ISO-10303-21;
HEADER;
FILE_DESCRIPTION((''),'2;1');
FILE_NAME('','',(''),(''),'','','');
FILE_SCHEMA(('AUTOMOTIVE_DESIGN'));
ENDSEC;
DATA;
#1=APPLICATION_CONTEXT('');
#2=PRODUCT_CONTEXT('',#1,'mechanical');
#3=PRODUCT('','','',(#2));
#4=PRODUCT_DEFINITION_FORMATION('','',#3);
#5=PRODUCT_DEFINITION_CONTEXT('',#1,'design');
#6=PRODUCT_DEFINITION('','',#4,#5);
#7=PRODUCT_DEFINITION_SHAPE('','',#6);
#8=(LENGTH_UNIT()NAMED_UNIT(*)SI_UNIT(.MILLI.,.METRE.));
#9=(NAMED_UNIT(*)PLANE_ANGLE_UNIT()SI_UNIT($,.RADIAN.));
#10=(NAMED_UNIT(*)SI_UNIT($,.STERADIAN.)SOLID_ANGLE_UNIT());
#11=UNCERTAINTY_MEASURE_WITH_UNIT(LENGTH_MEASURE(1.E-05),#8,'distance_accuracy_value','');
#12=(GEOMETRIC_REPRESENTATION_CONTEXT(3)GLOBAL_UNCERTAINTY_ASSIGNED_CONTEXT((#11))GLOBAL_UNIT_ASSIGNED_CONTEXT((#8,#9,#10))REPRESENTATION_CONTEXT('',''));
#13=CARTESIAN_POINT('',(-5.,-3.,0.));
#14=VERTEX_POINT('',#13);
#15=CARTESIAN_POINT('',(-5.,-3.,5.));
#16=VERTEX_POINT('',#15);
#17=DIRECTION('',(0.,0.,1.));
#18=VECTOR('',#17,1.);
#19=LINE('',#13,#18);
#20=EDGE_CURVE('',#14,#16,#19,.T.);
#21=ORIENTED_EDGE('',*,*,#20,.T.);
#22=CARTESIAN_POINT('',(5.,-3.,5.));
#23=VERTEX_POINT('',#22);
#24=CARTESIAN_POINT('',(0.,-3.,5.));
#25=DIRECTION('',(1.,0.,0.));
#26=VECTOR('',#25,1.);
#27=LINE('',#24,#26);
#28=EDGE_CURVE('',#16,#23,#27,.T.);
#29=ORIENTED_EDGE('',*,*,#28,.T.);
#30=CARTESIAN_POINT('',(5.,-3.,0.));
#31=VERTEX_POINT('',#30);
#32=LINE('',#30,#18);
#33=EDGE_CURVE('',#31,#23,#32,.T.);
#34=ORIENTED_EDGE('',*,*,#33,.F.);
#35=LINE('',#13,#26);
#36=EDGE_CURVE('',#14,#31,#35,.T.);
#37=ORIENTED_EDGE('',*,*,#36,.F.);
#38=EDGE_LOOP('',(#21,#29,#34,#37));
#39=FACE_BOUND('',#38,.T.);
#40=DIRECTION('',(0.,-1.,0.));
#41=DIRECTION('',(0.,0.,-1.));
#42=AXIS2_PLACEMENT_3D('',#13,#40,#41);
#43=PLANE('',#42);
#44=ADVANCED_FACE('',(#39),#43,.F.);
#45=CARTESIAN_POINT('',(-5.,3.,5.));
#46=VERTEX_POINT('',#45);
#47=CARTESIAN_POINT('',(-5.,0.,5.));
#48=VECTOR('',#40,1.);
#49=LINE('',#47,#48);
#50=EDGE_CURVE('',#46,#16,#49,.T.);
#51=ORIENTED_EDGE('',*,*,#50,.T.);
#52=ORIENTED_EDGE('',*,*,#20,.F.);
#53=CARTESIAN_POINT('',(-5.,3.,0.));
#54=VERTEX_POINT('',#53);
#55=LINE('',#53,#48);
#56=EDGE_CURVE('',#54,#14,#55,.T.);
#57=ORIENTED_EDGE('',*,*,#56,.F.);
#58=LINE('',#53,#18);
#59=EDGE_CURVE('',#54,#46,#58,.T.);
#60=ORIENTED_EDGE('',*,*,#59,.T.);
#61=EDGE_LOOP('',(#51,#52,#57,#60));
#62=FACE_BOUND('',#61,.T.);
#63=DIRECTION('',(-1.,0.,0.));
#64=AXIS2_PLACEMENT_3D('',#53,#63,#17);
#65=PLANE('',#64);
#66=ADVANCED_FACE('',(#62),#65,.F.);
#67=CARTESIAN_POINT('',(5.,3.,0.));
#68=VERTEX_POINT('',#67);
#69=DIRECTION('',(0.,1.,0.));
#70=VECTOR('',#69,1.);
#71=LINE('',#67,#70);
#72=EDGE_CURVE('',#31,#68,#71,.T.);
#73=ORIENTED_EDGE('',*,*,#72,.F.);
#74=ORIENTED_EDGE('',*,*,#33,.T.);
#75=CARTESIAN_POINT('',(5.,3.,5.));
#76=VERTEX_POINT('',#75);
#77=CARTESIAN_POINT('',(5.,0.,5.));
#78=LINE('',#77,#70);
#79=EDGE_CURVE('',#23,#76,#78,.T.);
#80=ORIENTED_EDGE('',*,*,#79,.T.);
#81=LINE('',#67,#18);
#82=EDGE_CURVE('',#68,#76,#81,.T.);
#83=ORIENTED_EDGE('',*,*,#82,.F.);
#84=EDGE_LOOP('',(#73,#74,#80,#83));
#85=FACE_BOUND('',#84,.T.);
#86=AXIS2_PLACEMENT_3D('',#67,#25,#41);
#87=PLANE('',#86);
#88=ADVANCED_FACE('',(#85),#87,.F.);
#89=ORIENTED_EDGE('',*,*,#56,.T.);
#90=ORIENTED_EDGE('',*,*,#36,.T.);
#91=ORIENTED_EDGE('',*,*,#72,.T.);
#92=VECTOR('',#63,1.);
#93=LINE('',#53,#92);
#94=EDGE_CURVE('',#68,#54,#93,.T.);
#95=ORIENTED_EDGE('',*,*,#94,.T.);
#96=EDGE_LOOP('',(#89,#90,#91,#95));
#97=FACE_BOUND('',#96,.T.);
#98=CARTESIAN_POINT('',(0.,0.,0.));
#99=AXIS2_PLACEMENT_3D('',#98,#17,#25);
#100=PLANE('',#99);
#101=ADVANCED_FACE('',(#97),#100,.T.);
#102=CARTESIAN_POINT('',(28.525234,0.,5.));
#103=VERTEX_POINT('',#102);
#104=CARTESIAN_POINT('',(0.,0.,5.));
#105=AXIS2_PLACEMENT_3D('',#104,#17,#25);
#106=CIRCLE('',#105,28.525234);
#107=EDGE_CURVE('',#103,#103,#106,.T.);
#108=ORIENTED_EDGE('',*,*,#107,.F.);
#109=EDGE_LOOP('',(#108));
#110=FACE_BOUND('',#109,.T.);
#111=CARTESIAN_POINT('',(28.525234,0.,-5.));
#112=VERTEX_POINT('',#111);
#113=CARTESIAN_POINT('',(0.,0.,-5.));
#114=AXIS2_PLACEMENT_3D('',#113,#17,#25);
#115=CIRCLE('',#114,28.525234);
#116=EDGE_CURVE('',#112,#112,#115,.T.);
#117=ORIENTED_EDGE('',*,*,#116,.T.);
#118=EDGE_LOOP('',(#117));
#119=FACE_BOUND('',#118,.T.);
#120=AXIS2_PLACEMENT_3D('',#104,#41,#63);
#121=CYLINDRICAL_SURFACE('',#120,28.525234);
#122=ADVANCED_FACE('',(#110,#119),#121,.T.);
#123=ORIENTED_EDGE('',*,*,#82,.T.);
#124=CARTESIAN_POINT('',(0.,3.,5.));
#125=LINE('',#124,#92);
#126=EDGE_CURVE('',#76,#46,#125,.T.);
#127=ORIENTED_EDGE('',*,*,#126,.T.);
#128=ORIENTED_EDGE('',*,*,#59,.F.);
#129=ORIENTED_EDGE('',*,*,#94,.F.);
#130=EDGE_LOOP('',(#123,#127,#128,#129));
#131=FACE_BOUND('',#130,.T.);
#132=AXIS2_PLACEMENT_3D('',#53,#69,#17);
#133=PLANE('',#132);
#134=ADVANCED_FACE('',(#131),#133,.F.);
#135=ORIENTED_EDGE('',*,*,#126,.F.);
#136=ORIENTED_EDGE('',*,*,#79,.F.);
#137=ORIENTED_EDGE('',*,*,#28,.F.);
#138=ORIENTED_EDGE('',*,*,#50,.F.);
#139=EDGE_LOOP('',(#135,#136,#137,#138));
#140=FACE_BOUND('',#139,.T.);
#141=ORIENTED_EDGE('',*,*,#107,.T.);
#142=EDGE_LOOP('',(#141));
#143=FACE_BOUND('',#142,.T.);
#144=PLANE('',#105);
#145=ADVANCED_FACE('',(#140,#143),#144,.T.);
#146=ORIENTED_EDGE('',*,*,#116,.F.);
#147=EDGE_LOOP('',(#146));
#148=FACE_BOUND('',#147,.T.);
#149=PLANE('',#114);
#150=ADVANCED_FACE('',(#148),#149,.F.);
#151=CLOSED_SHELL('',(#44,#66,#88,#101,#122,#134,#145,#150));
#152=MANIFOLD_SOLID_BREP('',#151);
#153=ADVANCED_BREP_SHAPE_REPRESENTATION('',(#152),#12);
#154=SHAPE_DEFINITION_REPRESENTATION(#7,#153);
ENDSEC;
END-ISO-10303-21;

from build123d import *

# Parameters (mm, degrees)
SCHIZZO1_R                   = 28.525234369
ESTRUSIONE_ESTRUSIONE2_DEPTH = 5
SCHIZZO4_W                   = 10
SCHIZZO4_H                   = 6
TAGLIO_ESTRUSIONE1_DEPTH     = 5


with BuildPart() as part:
    # Schizzo1 → Estrusione-Estrusione2 (new, symmetric)
    with BuildSketch(Plane.XY):
        Circle(SCHIZZO1_R)
    extrude(amount=ESTRUSIONE_ESTRUSIONE2_DEPTH, both=True)

    # Schizzo4 → Taglio-Estrusione1 (cut, symmetric)
    with BuildSketch(Plane.XY.offset(5)):
        Rectangle(SCHIZZO4_W, SCHIZZO4_H)
    extrude(amount=TAGLIO_ESTRUSIONE1_DEPTH, both=True, mode=Mode.SUBTRACT)


solid = part.part
